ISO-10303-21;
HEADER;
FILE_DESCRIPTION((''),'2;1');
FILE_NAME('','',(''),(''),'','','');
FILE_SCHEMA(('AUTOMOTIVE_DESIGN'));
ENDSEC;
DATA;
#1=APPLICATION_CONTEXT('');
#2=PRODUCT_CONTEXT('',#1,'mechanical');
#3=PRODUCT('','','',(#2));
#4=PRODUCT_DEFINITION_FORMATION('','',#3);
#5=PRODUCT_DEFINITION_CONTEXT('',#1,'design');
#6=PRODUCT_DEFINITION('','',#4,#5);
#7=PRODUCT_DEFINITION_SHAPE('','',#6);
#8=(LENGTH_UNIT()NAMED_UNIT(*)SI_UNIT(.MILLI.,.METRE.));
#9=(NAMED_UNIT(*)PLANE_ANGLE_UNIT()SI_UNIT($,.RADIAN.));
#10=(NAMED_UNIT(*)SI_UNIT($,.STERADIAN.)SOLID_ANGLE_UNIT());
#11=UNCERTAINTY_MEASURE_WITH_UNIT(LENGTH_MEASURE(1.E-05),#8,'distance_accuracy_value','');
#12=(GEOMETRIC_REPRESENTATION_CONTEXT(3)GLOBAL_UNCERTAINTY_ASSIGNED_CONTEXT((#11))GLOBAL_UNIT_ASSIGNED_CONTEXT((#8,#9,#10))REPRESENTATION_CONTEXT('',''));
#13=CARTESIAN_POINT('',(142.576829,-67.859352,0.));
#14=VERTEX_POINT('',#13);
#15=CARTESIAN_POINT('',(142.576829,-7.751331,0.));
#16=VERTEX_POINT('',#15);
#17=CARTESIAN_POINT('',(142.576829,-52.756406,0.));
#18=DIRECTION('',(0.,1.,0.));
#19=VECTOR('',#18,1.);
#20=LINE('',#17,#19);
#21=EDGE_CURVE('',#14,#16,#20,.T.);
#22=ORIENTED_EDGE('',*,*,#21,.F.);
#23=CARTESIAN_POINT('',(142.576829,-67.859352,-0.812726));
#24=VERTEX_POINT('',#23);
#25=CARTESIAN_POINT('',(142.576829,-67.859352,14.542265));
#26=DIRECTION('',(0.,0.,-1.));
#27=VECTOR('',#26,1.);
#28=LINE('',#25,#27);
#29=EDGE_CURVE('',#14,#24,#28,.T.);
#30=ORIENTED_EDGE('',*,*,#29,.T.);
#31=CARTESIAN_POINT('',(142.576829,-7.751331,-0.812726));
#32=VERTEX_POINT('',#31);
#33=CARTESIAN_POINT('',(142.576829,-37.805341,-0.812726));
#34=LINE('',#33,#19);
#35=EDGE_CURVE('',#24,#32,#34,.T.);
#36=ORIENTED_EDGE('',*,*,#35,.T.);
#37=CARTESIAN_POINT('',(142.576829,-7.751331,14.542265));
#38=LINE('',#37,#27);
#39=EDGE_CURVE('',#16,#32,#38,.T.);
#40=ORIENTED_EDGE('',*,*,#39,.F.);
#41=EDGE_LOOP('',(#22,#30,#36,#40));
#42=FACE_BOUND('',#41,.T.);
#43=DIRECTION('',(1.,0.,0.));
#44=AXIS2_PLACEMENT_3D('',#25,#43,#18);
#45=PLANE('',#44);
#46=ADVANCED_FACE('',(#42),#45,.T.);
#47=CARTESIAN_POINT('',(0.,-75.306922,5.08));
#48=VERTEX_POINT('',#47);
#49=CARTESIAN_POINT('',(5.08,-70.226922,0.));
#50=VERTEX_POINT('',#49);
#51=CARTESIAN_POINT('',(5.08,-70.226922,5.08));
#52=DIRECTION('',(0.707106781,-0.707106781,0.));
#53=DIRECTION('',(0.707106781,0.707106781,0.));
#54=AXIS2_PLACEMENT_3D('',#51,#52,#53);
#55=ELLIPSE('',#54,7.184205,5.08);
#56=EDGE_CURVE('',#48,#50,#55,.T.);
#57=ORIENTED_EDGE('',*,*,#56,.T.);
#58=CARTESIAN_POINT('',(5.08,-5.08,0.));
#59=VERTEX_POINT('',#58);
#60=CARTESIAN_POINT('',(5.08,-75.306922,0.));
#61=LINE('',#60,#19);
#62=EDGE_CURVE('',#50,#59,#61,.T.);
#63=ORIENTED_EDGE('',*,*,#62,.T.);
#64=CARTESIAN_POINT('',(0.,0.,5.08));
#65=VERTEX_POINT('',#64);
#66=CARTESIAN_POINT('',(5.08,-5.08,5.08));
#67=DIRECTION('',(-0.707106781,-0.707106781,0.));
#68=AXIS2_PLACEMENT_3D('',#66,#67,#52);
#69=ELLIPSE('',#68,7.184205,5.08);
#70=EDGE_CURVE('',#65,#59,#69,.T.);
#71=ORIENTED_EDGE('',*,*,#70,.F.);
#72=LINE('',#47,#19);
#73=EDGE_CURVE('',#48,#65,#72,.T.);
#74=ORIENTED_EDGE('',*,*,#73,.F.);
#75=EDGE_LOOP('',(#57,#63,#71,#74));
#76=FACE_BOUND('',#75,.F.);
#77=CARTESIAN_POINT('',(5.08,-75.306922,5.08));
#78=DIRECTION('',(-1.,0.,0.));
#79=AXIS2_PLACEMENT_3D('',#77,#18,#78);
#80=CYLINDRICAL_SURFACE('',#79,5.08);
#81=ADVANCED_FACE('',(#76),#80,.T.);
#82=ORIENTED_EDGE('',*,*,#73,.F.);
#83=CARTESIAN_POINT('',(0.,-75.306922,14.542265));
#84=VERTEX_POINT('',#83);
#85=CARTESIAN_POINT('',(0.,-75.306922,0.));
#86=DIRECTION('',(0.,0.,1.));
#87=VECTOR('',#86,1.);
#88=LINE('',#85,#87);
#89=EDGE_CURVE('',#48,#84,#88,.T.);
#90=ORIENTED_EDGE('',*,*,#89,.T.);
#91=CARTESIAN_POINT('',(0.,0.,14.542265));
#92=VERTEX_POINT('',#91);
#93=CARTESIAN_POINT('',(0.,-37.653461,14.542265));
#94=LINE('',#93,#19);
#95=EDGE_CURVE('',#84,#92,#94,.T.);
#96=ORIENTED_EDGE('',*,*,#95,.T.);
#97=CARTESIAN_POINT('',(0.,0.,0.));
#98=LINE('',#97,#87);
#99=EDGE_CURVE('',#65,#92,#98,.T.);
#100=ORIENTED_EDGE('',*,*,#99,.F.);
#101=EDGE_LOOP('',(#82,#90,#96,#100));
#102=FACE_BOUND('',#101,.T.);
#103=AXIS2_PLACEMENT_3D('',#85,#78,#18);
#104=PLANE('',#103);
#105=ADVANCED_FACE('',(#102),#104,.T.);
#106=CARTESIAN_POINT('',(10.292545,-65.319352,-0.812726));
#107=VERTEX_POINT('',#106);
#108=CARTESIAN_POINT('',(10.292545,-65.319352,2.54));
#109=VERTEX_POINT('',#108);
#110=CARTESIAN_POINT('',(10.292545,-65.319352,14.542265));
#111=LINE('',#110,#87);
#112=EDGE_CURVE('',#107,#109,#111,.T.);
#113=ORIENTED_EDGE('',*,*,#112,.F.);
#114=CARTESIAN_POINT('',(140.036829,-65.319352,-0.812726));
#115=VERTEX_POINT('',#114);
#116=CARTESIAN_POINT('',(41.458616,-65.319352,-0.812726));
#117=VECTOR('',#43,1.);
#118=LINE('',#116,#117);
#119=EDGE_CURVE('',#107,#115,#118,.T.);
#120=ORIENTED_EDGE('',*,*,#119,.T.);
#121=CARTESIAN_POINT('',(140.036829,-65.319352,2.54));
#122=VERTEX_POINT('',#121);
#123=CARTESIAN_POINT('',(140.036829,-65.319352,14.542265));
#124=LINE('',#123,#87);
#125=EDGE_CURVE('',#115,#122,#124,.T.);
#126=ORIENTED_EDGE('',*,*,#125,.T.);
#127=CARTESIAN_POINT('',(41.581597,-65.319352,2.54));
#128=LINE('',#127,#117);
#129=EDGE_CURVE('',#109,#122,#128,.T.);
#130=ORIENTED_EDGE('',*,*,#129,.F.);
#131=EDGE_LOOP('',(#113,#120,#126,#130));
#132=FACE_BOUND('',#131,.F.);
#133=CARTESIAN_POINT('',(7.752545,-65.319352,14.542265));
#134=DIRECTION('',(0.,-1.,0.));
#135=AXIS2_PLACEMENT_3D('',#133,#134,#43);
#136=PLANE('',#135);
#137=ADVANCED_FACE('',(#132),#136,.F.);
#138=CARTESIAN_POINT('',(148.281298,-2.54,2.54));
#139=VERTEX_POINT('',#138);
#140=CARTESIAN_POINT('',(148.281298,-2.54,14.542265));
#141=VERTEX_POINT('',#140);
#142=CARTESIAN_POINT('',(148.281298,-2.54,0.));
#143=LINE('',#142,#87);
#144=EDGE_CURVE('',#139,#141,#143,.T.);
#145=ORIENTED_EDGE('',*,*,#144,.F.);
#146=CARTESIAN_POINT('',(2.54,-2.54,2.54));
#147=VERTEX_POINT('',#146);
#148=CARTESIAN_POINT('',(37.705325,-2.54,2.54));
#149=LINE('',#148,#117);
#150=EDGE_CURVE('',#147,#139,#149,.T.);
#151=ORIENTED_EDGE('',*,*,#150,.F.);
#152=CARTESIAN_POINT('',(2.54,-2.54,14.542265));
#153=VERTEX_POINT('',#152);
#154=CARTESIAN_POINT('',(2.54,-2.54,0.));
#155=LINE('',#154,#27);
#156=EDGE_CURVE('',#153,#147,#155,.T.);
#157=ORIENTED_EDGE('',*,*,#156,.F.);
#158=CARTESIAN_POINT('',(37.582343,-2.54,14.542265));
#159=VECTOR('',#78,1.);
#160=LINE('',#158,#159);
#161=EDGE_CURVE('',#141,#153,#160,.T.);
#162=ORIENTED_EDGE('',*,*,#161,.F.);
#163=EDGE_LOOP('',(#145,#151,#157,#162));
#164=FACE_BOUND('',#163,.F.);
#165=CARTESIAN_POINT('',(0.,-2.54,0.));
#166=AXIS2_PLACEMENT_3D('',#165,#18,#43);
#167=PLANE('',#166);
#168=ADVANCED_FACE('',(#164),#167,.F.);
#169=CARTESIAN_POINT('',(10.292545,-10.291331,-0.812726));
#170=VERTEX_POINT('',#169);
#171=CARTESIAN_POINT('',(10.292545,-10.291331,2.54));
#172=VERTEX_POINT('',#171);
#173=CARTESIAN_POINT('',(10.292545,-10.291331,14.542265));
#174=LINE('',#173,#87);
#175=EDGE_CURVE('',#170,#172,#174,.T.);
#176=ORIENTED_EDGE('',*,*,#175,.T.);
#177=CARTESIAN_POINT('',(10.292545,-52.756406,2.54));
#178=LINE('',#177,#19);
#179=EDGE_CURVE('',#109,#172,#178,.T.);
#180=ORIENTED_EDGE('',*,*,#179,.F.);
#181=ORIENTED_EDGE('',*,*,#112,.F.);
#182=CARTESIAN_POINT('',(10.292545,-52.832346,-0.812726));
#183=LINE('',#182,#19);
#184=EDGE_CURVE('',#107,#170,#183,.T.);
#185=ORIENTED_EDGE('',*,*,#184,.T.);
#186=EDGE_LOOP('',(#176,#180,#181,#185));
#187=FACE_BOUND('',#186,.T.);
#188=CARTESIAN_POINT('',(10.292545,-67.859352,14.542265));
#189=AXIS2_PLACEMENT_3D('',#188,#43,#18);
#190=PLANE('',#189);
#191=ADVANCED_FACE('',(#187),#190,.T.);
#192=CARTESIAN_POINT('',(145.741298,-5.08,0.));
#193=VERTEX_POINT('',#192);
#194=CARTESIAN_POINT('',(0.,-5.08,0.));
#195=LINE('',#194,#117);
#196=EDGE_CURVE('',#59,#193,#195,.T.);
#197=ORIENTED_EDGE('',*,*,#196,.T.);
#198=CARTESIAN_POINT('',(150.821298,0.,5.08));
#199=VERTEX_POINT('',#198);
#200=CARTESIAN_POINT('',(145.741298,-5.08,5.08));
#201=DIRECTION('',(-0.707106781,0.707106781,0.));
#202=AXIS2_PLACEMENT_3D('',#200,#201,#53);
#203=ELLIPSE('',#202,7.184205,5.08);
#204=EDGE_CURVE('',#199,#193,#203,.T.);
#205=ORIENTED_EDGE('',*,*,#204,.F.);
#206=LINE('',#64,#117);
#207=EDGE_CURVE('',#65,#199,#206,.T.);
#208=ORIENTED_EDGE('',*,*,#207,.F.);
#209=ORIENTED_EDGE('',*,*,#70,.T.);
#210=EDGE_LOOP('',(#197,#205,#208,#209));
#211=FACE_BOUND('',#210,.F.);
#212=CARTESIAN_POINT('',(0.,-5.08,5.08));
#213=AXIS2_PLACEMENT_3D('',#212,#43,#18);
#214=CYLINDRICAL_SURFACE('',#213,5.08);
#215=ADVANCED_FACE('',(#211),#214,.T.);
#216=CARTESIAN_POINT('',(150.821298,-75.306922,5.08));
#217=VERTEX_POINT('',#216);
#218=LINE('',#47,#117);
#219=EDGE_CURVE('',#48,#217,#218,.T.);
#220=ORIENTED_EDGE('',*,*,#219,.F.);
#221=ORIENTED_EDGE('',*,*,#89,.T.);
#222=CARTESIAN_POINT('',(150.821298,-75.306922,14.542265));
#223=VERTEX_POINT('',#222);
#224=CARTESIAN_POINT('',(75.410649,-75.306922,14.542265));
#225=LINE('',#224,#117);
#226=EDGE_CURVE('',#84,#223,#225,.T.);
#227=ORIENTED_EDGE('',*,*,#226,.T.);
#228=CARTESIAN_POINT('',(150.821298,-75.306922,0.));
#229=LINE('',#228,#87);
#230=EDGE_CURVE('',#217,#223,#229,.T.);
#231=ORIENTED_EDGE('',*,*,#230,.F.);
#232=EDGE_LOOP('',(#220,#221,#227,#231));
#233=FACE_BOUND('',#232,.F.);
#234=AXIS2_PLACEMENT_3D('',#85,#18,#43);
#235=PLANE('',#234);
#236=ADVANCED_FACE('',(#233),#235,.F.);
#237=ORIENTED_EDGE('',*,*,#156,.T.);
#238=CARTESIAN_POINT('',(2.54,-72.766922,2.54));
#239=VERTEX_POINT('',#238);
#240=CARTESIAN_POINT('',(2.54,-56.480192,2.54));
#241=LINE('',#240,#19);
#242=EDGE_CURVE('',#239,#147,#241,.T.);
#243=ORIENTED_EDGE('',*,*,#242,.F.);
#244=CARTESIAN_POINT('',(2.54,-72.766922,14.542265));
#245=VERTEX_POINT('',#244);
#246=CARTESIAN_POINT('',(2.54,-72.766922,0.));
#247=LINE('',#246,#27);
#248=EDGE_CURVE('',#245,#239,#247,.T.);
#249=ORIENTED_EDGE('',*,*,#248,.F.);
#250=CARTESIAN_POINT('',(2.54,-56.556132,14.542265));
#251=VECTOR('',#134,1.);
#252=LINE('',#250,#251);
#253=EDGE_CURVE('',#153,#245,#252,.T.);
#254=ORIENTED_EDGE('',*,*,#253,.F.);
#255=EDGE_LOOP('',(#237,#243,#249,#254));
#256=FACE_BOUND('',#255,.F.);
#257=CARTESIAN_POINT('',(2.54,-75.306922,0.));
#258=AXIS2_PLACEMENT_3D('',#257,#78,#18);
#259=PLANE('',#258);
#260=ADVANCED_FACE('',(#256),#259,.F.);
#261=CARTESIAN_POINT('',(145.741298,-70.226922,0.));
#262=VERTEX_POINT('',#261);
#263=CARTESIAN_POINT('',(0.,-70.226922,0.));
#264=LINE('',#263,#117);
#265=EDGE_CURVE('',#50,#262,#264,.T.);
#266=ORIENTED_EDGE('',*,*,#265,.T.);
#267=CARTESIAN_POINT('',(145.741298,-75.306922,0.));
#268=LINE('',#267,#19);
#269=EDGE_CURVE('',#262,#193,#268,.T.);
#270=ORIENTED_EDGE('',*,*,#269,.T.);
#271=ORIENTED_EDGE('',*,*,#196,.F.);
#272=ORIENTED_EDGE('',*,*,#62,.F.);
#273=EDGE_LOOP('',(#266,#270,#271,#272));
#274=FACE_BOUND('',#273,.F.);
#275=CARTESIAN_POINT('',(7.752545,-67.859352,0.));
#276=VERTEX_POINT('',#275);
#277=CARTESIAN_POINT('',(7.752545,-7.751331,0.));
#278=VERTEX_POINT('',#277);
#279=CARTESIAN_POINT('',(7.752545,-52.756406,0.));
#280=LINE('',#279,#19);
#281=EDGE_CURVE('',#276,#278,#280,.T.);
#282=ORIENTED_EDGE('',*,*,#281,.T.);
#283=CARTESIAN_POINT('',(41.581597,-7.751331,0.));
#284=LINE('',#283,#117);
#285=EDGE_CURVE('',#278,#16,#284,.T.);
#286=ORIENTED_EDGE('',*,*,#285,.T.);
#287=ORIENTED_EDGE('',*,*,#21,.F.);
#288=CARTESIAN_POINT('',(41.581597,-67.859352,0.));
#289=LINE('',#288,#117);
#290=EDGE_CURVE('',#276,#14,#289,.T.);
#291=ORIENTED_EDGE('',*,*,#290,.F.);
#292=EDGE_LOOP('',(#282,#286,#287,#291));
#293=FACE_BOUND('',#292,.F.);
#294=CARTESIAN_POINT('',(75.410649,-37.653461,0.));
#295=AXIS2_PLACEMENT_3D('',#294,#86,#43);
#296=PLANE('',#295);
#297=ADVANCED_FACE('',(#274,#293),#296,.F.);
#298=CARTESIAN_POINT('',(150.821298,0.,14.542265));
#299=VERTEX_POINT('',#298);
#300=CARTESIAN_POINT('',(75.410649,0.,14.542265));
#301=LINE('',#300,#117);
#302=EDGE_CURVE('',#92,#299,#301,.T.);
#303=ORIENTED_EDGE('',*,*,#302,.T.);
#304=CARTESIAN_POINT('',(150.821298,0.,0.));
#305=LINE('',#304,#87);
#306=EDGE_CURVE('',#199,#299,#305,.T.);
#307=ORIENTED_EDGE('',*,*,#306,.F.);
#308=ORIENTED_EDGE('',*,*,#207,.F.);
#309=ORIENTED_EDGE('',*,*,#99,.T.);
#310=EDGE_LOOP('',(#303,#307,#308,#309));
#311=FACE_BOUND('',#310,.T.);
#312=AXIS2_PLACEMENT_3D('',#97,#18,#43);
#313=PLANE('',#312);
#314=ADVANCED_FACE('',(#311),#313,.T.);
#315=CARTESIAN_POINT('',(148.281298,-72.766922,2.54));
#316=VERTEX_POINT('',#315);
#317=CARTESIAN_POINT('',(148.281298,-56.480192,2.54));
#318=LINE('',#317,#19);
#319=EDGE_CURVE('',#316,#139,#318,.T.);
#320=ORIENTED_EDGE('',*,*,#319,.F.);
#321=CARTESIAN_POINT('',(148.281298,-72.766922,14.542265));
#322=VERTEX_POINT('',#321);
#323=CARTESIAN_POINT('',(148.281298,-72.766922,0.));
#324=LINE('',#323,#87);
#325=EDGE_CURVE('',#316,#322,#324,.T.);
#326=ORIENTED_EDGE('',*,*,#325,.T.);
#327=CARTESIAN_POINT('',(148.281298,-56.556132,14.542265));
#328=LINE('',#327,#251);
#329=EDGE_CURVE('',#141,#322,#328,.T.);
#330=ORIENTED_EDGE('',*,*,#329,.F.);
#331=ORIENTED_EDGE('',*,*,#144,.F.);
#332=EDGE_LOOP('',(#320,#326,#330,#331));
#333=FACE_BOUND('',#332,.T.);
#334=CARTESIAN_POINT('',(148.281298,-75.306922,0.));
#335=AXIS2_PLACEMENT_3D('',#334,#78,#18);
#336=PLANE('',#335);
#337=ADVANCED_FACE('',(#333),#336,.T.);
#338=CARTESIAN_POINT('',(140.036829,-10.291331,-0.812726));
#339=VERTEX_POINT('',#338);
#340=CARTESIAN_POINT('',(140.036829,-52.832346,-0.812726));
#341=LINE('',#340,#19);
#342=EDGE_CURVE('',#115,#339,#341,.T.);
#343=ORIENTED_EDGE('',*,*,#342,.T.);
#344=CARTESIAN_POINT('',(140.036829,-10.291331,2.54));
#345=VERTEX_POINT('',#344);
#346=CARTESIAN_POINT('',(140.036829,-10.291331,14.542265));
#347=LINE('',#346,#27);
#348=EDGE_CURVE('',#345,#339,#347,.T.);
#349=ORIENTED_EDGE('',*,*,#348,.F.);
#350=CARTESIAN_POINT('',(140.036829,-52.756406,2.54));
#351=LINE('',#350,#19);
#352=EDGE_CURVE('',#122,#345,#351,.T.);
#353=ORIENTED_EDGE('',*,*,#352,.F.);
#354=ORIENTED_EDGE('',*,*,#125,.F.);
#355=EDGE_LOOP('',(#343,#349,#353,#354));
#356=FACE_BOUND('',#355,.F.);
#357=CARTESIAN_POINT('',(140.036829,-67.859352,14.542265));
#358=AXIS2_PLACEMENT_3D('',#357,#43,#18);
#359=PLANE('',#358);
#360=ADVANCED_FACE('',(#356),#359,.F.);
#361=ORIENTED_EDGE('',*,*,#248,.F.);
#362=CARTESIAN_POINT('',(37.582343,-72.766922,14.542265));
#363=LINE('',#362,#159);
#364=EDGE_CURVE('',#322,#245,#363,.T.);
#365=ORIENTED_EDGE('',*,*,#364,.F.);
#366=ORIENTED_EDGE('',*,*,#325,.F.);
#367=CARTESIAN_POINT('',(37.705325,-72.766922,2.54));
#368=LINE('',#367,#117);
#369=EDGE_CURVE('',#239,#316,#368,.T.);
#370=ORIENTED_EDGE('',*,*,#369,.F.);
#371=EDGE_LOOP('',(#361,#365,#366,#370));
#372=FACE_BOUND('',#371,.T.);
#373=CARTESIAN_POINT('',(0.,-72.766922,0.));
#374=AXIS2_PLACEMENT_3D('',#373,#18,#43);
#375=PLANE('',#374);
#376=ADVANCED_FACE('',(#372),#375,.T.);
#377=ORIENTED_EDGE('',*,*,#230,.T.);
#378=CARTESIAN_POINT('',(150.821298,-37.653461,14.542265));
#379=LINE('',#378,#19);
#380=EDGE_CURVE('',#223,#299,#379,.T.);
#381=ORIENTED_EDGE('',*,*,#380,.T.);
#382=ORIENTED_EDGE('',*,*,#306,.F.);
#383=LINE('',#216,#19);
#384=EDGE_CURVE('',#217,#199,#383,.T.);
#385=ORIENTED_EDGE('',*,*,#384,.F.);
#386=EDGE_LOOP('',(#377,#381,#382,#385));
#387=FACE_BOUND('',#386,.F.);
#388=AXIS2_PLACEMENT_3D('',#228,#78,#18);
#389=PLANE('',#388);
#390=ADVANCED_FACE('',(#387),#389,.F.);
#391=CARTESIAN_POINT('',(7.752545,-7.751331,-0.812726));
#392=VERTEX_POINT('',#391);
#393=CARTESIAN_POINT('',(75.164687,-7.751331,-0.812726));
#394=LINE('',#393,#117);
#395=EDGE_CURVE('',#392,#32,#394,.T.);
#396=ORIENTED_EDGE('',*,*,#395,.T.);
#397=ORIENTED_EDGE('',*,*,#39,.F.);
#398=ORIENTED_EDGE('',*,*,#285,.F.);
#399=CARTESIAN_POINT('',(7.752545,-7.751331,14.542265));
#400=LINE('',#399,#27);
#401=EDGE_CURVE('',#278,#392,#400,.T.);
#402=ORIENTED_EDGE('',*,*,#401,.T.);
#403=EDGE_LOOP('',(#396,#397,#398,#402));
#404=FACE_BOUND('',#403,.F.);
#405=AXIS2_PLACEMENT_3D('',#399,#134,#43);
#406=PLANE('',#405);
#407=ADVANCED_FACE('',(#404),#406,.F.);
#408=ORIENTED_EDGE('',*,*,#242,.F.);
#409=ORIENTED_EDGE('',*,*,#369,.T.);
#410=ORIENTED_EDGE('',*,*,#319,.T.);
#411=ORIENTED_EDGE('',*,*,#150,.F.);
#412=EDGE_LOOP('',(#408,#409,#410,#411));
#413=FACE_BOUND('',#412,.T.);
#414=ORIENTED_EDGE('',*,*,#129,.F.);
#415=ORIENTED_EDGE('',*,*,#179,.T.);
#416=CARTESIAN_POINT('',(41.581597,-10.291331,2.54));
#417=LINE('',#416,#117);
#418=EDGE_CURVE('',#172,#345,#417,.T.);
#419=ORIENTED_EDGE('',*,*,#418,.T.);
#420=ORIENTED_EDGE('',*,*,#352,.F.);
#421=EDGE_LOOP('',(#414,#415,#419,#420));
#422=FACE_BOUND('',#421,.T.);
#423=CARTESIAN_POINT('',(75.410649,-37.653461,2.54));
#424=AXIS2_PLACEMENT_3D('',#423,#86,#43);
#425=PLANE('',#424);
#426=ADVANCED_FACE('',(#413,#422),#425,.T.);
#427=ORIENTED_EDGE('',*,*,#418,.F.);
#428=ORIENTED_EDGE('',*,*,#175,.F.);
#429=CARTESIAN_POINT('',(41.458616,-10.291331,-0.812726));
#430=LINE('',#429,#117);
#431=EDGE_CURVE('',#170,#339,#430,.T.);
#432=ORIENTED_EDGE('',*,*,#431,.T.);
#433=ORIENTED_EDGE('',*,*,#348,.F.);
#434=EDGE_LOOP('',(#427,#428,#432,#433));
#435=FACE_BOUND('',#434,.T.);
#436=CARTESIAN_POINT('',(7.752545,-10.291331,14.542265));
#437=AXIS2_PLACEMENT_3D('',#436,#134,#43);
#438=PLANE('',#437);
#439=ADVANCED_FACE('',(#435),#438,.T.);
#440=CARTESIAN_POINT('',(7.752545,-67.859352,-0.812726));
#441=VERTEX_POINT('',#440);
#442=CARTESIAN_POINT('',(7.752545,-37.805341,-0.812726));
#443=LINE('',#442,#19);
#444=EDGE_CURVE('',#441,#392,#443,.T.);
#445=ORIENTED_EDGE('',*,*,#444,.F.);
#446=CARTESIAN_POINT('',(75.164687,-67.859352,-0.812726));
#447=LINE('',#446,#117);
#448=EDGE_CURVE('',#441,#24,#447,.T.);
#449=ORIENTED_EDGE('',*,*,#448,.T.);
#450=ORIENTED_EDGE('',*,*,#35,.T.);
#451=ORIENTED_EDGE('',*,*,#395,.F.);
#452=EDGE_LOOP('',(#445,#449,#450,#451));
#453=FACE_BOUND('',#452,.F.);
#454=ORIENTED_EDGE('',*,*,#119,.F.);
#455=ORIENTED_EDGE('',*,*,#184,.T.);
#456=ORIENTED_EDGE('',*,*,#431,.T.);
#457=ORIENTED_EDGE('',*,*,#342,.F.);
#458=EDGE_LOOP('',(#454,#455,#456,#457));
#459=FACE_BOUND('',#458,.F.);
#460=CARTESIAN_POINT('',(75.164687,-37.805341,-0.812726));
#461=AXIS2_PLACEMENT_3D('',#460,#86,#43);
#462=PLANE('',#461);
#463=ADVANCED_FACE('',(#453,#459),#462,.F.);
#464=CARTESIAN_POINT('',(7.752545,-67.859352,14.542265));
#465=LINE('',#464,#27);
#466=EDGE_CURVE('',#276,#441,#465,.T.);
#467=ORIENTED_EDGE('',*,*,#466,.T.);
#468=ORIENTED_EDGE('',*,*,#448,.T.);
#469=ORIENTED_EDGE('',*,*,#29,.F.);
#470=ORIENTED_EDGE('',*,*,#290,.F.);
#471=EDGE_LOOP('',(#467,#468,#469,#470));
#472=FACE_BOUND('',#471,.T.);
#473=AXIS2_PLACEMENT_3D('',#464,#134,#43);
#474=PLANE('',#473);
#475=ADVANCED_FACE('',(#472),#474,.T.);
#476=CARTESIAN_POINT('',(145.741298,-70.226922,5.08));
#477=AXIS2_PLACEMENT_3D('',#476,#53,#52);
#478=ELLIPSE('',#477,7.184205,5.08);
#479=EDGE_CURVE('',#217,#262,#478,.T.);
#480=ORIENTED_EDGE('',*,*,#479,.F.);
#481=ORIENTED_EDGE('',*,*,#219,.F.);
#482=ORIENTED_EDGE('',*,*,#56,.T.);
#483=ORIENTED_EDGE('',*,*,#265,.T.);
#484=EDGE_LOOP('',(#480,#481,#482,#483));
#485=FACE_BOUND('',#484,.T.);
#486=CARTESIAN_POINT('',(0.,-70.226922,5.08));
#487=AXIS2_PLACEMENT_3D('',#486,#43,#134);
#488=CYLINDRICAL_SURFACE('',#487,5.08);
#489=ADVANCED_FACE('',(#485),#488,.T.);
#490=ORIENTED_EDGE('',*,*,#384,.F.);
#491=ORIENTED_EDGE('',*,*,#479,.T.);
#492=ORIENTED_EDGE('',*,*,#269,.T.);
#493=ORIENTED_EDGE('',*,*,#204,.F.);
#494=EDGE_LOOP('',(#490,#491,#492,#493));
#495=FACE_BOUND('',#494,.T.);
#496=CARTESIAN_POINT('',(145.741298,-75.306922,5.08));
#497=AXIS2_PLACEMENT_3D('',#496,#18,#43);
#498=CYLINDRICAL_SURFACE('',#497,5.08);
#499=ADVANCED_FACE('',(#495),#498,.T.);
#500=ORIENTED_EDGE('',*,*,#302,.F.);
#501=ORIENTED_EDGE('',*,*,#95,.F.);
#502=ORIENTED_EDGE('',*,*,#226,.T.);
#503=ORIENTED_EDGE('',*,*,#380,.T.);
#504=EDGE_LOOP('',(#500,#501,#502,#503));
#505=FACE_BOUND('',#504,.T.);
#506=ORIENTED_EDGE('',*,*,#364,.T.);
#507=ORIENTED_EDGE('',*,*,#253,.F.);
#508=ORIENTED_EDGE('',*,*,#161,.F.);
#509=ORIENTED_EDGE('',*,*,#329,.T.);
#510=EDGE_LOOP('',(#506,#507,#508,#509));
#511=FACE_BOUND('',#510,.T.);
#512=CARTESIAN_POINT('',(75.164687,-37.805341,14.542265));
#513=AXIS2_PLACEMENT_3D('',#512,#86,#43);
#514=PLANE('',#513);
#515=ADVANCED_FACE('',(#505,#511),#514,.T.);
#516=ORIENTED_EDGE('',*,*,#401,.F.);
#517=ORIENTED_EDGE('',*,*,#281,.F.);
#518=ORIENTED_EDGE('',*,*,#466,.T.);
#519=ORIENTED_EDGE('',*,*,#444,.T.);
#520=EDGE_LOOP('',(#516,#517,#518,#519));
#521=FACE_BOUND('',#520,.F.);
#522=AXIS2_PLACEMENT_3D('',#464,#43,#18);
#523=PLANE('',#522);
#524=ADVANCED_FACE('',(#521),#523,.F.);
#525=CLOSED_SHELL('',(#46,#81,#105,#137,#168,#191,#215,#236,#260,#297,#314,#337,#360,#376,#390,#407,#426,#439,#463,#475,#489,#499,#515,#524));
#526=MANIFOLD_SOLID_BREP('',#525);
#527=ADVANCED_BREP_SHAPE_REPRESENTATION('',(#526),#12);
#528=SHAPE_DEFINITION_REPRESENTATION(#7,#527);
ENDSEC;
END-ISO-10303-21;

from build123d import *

# Parameters (mm, degrees)
F0_W     = 150.8212983608
F0_H     = 75.3069221973
F1_DEPTH = 14.5422648638
F2_W     = 134.8242838867
F2_H     = 60.1080209017
F3_DEPTH = 15.3549909592
F4_T     = -2.54
F5_R     = 5.08


with BuildPart() as f1:
    # F0 (on Top) → F1 (new body)
    with BuildSketch(Plane.XY):
        with Locations((75.4106491804, -37.6534610987)):
            Rectangle(F0_W, F0_H)
    extrude(amount=F1_DEPTH)

    # F2 (on face) → F3 (join)
    with BuildSketch(Plane.XY.offset(14.5422648638)):
        with Locations((75.1646866556, -37.8053411841)):
            Rectangle(F2_W, F2_H)
    extrude(amount=-F3_DEPTH)

    # F4
    f4_openings = [f1.faces().sort_by_distance(p)[0] for p in [
        (75.164687, -37.805341, -0.812726),
        (75.410649, -37.653461, 14.542265),
    ]]
    offset(amount=F4_T, openings=f4_openings, kind=Kind.INTERSECTION)

    # F5
    f5_edges = [f1.edges().sort_by_distance(p)[0] for p in [
        (75.410649, -75.306922, 0),
        (75.410649, 0, 0),
        (150.821298, -37.653461, 0),
        (0, -37.653461, 0),
    ]]
    fillet(f5_edges, radius=F5_R)


solid = f1.part
